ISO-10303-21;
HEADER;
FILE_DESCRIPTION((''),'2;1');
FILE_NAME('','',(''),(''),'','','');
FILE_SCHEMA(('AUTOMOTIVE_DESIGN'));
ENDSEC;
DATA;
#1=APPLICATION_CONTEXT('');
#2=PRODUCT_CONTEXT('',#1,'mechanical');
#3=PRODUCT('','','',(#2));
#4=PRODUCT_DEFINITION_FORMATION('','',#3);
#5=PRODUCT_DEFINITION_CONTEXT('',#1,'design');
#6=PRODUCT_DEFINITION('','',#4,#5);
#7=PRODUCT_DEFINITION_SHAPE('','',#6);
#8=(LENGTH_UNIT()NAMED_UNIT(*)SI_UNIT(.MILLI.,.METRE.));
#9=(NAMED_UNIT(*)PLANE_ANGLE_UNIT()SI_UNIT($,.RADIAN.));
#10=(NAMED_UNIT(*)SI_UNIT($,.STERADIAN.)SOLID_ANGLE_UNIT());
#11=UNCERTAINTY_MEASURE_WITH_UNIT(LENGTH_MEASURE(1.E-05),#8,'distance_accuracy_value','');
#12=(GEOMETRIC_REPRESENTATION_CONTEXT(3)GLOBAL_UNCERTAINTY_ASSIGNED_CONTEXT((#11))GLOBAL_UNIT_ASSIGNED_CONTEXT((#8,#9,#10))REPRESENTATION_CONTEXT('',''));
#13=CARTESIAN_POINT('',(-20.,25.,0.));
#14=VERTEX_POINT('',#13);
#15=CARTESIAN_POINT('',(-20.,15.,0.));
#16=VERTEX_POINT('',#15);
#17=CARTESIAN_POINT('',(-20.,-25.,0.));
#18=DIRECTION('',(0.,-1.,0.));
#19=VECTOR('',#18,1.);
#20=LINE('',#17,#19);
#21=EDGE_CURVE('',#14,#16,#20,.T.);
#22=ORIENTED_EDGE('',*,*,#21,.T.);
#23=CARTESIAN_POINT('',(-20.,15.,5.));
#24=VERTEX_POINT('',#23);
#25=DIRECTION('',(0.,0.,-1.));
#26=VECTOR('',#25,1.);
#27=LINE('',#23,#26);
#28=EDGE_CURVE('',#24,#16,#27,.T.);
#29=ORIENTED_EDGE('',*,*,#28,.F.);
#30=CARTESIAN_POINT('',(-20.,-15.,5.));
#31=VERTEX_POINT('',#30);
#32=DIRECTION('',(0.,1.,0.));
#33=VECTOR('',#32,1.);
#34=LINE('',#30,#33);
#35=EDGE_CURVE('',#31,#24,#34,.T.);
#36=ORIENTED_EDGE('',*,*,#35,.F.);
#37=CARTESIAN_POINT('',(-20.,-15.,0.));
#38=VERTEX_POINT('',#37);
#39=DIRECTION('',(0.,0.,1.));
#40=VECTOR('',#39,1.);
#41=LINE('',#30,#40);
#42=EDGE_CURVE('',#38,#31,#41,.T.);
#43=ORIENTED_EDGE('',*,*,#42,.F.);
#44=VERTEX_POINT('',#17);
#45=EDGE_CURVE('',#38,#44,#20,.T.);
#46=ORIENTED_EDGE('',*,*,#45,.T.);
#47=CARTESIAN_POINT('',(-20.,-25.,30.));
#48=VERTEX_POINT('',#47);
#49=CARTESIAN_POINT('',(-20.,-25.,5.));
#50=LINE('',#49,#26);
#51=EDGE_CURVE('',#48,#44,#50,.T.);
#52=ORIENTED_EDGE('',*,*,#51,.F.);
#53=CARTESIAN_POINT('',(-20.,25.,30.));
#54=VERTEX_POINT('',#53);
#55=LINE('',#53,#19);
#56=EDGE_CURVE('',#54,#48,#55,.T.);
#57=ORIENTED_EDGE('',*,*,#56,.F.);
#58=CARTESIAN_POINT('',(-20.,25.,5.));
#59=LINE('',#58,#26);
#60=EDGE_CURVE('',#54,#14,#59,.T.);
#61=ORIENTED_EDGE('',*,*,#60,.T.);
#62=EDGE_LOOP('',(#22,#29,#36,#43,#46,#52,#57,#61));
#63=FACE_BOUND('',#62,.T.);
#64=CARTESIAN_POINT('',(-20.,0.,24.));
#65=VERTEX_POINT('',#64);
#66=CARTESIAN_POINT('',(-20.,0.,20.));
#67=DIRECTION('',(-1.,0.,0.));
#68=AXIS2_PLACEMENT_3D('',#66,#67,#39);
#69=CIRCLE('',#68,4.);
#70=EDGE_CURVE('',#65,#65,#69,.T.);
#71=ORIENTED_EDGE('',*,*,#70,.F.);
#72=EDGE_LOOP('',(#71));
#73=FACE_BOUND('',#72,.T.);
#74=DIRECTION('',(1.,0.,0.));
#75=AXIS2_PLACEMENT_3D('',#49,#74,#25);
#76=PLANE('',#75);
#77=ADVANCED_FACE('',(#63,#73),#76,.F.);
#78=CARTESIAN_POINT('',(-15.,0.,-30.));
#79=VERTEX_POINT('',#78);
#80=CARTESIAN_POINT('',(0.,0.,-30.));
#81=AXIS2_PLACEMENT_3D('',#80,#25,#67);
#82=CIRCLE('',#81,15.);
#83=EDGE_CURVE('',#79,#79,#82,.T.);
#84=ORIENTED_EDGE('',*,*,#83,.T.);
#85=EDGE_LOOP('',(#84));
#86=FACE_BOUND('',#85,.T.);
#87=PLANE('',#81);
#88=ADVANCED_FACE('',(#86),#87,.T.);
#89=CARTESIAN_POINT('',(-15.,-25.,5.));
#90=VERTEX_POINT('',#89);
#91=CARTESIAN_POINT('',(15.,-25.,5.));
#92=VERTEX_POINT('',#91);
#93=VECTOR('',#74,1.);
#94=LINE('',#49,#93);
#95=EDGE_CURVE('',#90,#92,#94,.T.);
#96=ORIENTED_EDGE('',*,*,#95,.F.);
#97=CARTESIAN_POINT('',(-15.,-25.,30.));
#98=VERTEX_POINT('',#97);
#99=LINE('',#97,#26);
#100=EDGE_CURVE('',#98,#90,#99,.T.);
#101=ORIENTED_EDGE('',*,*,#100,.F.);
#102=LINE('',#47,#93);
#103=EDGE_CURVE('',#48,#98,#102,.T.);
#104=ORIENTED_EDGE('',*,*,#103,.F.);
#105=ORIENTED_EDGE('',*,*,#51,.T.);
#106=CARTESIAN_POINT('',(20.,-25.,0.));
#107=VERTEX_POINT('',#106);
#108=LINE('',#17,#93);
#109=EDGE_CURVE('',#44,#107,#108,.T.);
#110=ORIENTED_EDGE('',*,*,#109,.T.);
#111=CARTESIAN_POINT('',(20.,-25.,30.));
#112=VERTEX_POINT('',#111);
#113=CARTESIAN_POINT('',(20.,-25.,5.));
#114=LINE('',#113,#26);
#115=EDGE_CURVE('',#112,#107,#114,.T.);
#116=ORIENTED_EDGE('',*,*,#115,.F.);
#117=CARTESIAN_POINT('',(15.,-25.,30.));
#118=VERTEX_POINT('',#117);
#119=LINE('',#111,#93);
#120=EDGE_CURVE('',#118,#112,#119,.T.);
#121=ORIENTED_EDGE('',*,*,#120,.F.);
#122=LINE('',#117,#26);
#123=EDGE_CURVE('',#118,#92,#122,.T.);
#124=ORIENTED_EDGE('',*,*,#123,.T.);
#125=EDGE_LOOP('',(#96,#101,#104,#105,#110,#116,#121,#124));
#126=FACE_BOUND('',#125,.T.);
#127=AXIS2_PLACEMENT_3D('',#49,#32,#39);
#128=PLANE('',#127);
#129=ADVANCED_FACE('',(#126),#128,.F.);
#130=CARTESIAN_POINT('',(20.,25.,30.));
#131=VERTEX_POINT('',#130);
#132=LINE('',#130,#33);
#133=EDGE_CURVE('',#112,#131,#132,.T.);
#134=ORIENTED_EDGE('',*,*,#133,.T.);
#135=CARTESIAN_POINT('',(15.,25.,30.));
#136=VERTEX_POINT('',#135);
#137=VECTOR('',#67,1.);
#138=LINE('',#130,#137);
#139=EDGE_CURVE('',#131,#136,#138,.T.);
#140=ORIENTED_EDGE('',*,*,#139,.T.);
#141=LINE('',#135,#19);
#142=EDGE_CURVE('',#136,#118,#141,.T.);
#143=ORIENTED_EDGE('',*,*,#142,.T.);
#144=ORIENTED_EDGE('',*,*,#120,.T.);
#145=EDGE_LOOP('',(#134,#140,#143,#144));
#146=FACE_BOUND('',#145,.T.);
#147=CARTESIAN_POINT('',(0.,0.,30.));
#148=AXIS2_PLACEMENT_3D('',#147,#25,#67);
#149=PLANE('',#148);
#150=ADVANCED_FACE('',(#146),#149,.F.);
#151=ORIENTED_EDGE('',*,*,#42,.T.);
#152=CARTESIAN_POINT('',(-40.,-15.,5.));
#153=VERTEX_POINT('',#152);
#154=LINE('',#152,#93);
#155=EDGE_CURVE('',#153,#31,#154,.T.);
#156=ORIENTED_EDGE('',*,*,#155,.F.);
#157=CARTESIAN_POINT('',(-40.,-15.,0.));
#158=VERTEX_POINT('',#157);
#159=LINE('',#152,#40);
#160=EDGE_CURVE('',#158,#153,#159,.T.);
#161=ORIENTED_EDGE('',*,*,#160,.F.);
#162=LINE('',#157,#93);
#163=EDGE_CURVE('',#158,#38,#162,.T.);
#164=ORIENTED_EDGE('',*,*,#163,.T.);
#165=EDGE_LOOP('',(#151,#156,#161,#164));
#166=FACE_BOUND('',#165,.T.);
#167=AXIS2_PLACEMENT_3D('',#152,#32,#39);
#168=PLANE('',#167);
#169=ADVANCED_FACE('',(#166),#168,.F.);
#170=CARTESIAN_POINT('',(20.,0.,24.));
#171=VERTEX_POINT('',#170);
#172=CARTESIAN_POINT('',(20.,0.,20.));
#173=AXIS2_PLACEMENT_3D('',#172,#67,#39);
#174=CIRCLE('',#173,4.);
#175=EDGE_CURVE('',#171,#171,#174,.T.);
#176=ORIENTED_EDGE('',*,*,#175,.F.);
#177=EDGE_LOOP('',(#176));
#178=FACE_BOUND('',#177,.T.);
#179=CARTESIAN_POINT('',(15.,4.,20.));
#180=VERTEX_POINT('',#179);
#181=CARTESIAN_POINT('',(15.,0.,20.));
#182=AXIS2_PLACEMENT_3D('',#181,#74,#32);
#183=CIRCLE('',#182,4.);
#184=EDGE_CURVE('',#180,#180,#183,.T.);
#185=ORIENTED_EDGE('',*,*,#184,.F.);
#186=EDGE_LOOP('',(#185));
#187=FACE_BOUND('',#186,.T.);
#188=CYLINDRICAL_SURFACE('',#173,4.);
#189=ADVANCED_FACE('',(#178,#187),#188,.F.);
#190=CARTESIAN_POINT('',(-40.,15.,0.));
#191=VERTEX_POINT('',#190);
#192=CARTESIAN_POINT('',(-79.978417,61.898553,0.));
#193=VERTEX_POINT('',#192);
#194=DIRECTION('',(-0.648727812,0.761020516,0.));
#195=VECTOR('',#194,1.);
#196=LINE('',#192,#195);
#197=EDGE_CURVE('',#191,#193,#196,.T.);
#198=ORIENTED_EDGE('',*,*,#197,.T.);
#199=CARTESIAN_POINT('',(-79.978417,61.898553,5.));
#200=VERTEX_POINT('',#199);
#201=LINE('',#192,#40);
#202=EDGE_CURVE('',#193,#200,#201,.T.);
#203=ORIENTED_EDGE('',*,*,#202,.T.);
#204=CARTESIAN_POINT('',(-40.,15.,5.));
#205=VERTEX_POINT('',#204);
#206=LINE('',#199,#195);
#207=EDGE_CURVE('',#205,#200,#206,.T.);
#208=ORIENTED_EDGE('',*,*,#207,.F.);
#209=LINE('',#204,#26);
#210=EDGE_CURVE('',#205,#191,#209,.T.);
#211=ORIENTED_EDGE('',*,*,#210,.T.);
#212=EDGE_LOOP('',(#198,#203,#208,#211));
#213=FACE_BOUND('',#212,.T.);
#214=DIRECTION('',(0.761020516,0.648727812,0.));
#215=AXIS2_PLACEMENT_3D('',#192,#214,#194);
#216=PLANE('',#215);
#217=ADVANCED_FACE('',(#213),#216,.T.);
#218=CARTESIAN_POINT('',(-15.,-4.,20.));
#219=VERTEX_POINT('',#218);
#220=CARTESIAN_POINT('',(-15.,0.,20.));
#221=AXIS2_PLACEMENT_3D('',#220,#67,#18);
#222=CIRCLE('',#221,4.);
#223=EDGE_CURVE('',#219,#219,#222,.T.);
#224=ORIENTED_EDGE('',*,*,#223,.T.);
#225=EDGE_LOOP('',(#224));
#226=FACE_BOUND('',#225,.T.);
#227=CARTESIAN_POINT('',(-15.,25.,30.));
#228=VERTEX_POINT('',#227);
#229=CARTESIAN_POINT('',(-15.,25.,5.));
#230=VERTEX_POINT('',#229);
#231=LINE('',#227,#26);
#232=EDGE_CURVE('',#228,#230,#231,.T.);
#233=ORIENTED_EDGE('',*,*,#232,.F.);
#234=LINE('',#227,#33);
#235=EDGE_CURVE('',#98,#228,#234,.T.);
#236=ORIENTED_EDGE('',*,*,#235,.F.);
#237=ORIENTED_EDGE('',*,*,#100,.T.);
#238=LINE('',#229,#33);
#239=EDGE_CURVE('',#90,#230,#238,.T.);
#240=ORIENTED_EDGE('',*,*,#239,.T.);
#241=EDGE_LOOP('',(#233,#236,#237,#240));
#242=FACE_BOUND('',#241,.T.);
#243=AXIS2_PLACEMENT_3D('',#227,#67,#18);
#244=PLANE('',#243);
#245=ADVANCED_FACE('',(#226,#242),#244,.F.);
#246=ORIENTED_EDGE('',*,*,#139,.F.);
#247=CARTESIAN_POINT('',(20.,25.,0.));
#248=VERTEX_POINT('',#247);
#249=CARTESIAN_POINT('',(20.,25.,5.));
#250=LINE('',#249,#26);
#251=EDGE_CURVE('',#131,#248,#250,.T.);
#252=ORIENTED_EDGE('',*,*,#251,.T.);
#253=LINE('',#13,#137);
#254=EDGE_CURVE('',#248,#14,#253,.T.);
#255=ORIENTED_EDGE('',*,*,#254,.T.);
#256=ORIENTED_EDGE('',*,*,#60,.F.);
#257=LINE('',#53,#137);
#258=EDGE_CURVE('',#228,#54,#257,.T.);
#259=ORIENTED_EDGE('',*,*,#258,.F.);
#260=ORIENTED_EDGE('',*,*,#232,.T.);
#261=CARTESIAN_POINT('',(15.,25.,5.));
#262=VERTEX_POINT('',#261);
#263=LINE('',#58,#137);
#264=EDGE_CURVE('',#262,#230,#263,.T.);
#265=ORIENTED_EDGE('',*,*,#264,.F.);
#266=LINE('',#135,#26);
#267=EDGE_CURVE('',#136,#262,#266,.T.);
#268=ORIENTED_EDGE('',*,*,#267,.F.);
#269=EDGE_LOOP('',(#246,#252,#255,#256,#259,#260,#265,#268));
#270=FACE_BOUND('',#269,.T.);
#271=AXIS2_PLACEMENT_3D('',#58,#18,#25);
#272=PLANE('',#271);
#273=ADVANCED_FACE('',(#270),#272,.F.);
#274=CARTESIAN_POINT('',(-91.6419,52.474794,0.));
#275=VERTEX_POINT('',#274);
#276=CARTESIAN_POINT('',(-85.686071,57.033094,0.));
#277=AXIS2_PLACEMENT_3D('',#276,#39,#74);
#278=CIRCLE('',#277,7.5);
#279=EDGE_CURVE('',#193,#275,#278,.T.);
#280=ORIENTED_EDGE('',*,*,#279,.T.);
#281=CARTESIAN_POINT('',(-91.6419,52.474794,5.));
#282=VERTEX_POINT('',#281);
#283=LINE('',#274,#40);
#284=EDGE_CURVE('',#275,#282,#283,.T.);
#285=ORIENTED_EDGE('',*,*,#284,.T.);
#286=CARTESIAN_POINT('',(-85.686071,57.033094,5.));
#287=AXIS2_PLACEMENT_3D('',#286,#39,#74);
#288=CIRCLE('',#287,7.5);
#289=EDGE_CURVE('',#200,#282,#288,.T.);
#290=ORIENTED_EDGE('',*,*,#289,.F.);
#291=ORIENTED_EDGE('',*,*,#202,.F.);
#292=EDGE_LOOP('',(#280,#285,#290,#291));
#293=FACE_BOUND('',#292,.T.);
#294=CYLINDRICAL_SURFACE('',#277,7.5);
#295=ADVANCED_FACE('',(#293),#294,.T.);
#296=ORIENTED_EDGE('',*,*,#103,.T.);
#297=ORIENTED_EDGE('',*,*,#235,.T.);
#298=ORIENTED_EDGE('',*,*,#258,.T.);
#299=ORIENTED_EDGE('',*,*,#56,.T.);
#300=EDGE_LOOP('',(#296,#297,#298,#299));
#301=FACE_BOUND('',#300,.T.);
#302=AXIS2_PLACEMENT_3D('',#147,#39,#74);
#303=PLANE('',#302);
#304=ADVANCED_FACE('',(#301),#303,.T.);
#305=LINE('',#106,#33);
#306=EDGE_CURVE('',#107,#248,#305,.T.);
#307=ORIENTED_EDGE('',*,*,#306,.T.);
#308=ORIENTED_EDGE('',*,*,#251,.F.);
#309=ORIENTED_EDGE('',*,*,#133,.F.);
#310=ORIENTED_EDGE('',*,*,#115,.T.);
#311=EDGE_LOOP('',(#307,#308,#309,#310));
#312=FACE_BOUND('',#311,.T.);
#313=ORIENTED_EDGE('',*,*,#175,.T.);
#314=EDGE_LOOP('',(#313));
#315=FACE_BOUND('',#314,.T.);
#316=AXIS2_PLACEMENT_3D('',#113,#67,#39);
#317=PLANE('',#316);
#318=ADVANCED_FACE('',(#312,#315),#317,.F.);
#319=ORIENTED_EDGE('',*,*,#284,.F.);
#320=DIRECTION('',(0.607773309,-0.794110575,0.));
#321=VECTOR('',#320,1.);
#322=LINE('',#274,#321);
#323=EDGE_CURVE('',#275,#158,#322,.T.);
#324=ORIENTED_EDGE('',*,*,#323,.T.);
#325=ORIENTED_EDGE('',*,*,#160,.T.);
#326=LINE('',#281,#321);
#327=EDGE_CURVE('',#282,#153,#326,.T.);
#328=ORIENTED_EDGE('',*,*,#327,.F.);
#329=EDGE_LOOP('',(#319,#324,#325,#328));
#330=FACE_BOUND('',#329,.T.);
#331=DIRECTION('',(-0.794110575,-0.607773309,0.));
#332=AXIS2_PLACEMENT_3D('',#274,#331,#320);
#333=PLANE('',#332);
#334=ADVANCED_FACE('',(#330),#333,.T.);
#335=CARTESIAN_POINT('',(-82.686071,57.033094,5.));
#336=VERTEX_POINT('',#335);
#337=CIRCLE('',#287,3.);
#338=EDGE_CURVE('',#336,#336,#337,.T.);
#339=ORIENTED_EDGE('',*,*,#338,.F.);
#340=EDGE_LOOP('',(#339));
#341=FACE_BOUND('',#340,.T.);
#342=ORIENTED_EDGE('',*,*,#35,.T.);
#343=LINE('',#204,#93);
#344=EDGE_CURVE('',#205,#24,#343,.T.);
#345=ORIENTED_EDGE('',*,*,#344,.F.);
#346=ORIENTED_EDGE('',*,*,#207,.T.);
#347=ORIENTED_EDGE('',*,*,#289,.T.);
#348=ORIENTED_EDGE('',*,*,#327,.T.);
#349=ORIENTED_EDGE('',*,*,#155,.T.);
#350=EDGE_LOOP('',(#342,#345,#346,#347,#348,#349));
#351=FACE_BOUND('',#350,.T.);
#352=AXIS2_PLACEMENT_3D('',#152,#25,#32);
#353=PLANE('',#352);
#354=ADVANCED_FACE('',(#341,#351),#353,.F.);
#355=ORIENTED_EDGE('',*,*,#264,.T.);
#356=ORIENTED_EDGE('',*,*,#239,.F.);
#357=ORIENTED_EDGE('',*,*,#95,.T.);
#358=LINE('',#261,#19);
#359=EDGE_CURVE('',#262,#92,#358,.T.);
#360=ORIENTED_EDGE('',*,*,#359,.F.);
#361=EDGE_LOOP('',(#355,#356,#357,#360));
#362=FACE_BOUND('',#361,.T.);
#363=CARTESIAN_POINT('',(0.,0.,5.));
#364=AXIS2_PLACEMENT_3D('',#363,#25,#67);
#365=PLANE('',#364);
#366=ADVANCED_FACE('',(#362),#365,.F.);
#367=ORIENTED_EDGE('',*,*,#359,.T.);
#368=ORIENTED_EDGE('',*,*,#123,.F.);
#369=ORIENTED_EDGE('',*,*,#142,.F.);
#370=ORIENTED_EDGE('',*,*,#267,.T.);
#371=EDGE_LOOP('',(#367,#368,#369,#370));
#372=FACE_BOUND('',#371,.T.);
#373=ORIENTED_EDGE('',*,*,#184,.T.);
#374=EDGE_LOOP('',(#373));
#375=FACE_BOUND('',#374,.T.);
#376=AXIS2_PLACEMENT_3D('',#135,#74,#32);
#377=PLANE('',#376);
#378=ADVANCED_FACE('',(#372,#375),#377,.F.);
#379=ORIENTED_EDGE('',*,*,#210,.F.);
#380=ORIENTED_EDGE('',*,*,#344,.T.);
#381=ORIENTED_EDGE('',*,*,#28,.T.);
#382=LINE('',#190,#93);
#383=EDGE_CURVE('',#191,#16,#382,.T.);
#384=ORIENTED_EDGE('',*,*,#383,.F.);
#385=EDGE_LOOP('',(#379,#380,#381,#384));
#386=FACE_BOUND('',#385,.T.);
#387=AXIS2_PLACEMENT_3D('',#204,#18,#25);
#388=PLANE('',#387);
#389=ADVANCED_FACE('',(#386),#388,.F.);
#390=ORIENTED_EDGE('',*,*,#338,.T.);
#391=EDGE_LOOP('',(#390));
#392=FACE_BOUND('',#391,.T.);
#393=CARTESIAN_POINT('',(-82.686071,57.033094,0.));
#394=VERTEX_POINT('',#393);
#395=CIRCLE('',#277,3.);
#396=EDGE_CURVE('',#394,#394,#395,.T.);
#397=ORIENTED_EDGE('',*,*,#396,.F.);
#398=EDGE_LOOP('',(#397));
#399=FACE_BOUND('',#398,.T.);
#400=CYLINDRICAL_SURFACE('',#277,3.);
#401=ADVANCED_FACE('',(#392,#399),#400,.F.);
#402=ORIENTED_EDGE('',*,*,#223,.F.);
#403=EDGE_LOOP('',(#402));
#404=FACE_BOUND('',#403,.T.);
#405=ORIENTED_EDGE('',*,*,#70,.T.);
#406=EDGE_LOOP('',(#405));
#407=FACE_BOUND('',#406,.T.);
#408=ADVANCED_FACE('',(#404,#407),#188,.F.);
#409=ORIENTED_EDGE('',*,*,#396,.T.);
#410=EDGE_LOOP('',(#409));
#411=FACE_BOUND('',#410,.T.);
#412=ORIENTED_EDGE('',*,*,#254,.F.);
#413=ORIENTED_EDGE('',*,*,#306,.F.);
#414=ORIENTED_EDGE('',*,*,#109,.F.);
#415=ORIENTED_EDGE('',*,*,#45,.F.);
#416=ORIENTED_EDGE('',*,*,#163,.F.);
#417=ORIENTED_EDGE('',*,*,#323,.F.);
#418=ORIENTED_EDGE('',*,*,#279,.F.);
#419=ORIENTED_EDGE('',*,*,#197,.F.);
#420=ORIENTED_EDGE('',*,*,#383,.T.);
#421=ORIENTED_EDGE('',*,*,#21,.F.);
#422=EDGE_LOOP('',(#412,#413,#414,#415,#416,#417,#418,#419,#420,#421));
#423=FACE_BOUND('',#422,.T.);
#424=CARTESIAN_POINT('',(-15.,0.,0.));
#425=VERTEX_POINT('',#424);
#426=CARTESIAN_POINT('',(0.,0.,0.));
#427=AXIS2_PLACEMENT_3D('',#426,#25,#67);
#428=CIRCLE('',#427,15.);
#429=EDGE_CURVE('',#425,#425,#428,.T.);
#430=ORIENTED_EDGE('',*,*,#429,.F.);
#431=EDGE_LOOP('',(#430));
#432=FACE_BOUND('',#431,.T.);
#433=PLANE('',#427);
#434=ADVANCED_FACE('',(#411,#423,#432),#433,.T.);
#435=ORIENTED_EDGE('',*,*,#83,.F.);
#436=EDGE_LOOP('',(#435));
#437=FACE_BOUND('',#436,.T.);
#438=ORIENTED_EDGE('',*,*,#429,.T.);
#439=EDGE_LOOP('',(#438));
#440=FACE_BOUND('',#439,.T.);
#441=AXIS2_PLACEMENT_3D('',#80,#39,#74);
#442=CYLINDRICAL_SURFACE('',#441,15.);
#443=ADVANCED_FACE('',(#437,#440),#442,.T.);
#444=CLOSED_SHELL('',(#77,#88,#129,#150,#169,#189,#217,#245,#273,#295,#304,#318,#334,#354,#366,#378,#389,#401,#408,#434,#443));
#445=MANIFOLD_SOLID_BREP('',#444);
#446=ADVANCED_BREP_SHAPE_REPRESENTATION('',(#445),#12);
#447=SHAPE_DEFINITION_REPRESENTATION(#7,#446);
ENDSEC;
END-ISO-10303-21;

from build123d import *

# Parameters (mm, degrees)
SKETCH1_W           = 40
SKETCH1_H           = 50
BOSS_EXTRUDE1_DEPTH = 5
SKETCH2_W           = 5
SKETCH2_H           = 50
BOSS_EXTRUDE2_DEPTH = 25
SKETCH3_R           = 4
CUT_EXTRUDE1_DEPTH  = 56.901699437
SKETCH4_W           = 5
SKETCH4_H           = 30
BOSS_EXTRUDE3_DEPTH = 20
SKETCH5_R           = 3
BOSS_EXTRUDE4_DEPTH = 5
SKETCH6_R           = 15
BOSS_EXTRUDE5_DEPTH = 30


with BuildPart() as part:
    # Sketch1 → Boss-Extrude1 (new body)
    with BuildSketch(Plane.XY):
        Rectangle(SKETCH1_W, SKETCH1_H)
    extrude(amount=BOSS_EXTRUDE1_DEPTH)

    # Sketch2 → Boss-Extrude2 (add)
    with BuildSketch(Plane.XY.offset(5)):
        with Locations((-17.5, 0)):
            Rectangle(SKETCH2_W, SKETCH2_H)
        with Locations((17.5, 0)):
            Rectangle(SKETCH2_W, SKETCH2_H)
    extrude(amount=BOSS_EXTRUDE2_DEPTH)

    # Sketch3 → Cut-Extrude1 (cut, through all)
    with BuildSketch(Plane.ZY.offset(20)):
        with Locations((20, 0)):
            Circle(SKETCH3_R)
    extrude(amount=-CUT_EXTRUDE1_DEPTH, mode=Mode.SUBTRACT)

    # Sketch4 → Boss-Extrude3 (add)
    with BuildSketch(Plane.ZY.offset(20)):
        with Locations((2.5, 0)):
            Rectangle(SKETCH4_W, SKETCH4_H)
    extrude(amount=BOSS_EXTRUDE3_DEPTH)

    # Sketch5 → Boss-Extrude4 (add)
    with BuildSketch(Plane.XY.offset(5)):
        with BuildLine():
            Line((-40, 15), (-40, -15))
            Line((-40, -15), (-91.641900121, 52.474794317))
            ThreePointArc((-91.641900121, 52.474794317), (-90.399583659, 62.866857636), (-79.978416938, 61.898552722))
            Line((-79.978416938, 61.898552722), (-40, 15))
        make_face()
        with Locations((-85.686070809, 57.033094132)):
            Circle(SKETCH5_R, mode=Mode.SUBTRACT)
    extrude(amount=-BOSS_EXTRUDE4_DEPTH)

    # Sketch6 → Boss-Extrude5 (add)
    with BuildSketch(Plane(origin=(0, 0, 0), x_dir=(-1, 0, 0), z_dir=(0, 0, -1))):
        Circle(SKETCH6_R)
    extrude(amount=BOSS_EXTRUDE5_DEPTH)


solid = part.part
